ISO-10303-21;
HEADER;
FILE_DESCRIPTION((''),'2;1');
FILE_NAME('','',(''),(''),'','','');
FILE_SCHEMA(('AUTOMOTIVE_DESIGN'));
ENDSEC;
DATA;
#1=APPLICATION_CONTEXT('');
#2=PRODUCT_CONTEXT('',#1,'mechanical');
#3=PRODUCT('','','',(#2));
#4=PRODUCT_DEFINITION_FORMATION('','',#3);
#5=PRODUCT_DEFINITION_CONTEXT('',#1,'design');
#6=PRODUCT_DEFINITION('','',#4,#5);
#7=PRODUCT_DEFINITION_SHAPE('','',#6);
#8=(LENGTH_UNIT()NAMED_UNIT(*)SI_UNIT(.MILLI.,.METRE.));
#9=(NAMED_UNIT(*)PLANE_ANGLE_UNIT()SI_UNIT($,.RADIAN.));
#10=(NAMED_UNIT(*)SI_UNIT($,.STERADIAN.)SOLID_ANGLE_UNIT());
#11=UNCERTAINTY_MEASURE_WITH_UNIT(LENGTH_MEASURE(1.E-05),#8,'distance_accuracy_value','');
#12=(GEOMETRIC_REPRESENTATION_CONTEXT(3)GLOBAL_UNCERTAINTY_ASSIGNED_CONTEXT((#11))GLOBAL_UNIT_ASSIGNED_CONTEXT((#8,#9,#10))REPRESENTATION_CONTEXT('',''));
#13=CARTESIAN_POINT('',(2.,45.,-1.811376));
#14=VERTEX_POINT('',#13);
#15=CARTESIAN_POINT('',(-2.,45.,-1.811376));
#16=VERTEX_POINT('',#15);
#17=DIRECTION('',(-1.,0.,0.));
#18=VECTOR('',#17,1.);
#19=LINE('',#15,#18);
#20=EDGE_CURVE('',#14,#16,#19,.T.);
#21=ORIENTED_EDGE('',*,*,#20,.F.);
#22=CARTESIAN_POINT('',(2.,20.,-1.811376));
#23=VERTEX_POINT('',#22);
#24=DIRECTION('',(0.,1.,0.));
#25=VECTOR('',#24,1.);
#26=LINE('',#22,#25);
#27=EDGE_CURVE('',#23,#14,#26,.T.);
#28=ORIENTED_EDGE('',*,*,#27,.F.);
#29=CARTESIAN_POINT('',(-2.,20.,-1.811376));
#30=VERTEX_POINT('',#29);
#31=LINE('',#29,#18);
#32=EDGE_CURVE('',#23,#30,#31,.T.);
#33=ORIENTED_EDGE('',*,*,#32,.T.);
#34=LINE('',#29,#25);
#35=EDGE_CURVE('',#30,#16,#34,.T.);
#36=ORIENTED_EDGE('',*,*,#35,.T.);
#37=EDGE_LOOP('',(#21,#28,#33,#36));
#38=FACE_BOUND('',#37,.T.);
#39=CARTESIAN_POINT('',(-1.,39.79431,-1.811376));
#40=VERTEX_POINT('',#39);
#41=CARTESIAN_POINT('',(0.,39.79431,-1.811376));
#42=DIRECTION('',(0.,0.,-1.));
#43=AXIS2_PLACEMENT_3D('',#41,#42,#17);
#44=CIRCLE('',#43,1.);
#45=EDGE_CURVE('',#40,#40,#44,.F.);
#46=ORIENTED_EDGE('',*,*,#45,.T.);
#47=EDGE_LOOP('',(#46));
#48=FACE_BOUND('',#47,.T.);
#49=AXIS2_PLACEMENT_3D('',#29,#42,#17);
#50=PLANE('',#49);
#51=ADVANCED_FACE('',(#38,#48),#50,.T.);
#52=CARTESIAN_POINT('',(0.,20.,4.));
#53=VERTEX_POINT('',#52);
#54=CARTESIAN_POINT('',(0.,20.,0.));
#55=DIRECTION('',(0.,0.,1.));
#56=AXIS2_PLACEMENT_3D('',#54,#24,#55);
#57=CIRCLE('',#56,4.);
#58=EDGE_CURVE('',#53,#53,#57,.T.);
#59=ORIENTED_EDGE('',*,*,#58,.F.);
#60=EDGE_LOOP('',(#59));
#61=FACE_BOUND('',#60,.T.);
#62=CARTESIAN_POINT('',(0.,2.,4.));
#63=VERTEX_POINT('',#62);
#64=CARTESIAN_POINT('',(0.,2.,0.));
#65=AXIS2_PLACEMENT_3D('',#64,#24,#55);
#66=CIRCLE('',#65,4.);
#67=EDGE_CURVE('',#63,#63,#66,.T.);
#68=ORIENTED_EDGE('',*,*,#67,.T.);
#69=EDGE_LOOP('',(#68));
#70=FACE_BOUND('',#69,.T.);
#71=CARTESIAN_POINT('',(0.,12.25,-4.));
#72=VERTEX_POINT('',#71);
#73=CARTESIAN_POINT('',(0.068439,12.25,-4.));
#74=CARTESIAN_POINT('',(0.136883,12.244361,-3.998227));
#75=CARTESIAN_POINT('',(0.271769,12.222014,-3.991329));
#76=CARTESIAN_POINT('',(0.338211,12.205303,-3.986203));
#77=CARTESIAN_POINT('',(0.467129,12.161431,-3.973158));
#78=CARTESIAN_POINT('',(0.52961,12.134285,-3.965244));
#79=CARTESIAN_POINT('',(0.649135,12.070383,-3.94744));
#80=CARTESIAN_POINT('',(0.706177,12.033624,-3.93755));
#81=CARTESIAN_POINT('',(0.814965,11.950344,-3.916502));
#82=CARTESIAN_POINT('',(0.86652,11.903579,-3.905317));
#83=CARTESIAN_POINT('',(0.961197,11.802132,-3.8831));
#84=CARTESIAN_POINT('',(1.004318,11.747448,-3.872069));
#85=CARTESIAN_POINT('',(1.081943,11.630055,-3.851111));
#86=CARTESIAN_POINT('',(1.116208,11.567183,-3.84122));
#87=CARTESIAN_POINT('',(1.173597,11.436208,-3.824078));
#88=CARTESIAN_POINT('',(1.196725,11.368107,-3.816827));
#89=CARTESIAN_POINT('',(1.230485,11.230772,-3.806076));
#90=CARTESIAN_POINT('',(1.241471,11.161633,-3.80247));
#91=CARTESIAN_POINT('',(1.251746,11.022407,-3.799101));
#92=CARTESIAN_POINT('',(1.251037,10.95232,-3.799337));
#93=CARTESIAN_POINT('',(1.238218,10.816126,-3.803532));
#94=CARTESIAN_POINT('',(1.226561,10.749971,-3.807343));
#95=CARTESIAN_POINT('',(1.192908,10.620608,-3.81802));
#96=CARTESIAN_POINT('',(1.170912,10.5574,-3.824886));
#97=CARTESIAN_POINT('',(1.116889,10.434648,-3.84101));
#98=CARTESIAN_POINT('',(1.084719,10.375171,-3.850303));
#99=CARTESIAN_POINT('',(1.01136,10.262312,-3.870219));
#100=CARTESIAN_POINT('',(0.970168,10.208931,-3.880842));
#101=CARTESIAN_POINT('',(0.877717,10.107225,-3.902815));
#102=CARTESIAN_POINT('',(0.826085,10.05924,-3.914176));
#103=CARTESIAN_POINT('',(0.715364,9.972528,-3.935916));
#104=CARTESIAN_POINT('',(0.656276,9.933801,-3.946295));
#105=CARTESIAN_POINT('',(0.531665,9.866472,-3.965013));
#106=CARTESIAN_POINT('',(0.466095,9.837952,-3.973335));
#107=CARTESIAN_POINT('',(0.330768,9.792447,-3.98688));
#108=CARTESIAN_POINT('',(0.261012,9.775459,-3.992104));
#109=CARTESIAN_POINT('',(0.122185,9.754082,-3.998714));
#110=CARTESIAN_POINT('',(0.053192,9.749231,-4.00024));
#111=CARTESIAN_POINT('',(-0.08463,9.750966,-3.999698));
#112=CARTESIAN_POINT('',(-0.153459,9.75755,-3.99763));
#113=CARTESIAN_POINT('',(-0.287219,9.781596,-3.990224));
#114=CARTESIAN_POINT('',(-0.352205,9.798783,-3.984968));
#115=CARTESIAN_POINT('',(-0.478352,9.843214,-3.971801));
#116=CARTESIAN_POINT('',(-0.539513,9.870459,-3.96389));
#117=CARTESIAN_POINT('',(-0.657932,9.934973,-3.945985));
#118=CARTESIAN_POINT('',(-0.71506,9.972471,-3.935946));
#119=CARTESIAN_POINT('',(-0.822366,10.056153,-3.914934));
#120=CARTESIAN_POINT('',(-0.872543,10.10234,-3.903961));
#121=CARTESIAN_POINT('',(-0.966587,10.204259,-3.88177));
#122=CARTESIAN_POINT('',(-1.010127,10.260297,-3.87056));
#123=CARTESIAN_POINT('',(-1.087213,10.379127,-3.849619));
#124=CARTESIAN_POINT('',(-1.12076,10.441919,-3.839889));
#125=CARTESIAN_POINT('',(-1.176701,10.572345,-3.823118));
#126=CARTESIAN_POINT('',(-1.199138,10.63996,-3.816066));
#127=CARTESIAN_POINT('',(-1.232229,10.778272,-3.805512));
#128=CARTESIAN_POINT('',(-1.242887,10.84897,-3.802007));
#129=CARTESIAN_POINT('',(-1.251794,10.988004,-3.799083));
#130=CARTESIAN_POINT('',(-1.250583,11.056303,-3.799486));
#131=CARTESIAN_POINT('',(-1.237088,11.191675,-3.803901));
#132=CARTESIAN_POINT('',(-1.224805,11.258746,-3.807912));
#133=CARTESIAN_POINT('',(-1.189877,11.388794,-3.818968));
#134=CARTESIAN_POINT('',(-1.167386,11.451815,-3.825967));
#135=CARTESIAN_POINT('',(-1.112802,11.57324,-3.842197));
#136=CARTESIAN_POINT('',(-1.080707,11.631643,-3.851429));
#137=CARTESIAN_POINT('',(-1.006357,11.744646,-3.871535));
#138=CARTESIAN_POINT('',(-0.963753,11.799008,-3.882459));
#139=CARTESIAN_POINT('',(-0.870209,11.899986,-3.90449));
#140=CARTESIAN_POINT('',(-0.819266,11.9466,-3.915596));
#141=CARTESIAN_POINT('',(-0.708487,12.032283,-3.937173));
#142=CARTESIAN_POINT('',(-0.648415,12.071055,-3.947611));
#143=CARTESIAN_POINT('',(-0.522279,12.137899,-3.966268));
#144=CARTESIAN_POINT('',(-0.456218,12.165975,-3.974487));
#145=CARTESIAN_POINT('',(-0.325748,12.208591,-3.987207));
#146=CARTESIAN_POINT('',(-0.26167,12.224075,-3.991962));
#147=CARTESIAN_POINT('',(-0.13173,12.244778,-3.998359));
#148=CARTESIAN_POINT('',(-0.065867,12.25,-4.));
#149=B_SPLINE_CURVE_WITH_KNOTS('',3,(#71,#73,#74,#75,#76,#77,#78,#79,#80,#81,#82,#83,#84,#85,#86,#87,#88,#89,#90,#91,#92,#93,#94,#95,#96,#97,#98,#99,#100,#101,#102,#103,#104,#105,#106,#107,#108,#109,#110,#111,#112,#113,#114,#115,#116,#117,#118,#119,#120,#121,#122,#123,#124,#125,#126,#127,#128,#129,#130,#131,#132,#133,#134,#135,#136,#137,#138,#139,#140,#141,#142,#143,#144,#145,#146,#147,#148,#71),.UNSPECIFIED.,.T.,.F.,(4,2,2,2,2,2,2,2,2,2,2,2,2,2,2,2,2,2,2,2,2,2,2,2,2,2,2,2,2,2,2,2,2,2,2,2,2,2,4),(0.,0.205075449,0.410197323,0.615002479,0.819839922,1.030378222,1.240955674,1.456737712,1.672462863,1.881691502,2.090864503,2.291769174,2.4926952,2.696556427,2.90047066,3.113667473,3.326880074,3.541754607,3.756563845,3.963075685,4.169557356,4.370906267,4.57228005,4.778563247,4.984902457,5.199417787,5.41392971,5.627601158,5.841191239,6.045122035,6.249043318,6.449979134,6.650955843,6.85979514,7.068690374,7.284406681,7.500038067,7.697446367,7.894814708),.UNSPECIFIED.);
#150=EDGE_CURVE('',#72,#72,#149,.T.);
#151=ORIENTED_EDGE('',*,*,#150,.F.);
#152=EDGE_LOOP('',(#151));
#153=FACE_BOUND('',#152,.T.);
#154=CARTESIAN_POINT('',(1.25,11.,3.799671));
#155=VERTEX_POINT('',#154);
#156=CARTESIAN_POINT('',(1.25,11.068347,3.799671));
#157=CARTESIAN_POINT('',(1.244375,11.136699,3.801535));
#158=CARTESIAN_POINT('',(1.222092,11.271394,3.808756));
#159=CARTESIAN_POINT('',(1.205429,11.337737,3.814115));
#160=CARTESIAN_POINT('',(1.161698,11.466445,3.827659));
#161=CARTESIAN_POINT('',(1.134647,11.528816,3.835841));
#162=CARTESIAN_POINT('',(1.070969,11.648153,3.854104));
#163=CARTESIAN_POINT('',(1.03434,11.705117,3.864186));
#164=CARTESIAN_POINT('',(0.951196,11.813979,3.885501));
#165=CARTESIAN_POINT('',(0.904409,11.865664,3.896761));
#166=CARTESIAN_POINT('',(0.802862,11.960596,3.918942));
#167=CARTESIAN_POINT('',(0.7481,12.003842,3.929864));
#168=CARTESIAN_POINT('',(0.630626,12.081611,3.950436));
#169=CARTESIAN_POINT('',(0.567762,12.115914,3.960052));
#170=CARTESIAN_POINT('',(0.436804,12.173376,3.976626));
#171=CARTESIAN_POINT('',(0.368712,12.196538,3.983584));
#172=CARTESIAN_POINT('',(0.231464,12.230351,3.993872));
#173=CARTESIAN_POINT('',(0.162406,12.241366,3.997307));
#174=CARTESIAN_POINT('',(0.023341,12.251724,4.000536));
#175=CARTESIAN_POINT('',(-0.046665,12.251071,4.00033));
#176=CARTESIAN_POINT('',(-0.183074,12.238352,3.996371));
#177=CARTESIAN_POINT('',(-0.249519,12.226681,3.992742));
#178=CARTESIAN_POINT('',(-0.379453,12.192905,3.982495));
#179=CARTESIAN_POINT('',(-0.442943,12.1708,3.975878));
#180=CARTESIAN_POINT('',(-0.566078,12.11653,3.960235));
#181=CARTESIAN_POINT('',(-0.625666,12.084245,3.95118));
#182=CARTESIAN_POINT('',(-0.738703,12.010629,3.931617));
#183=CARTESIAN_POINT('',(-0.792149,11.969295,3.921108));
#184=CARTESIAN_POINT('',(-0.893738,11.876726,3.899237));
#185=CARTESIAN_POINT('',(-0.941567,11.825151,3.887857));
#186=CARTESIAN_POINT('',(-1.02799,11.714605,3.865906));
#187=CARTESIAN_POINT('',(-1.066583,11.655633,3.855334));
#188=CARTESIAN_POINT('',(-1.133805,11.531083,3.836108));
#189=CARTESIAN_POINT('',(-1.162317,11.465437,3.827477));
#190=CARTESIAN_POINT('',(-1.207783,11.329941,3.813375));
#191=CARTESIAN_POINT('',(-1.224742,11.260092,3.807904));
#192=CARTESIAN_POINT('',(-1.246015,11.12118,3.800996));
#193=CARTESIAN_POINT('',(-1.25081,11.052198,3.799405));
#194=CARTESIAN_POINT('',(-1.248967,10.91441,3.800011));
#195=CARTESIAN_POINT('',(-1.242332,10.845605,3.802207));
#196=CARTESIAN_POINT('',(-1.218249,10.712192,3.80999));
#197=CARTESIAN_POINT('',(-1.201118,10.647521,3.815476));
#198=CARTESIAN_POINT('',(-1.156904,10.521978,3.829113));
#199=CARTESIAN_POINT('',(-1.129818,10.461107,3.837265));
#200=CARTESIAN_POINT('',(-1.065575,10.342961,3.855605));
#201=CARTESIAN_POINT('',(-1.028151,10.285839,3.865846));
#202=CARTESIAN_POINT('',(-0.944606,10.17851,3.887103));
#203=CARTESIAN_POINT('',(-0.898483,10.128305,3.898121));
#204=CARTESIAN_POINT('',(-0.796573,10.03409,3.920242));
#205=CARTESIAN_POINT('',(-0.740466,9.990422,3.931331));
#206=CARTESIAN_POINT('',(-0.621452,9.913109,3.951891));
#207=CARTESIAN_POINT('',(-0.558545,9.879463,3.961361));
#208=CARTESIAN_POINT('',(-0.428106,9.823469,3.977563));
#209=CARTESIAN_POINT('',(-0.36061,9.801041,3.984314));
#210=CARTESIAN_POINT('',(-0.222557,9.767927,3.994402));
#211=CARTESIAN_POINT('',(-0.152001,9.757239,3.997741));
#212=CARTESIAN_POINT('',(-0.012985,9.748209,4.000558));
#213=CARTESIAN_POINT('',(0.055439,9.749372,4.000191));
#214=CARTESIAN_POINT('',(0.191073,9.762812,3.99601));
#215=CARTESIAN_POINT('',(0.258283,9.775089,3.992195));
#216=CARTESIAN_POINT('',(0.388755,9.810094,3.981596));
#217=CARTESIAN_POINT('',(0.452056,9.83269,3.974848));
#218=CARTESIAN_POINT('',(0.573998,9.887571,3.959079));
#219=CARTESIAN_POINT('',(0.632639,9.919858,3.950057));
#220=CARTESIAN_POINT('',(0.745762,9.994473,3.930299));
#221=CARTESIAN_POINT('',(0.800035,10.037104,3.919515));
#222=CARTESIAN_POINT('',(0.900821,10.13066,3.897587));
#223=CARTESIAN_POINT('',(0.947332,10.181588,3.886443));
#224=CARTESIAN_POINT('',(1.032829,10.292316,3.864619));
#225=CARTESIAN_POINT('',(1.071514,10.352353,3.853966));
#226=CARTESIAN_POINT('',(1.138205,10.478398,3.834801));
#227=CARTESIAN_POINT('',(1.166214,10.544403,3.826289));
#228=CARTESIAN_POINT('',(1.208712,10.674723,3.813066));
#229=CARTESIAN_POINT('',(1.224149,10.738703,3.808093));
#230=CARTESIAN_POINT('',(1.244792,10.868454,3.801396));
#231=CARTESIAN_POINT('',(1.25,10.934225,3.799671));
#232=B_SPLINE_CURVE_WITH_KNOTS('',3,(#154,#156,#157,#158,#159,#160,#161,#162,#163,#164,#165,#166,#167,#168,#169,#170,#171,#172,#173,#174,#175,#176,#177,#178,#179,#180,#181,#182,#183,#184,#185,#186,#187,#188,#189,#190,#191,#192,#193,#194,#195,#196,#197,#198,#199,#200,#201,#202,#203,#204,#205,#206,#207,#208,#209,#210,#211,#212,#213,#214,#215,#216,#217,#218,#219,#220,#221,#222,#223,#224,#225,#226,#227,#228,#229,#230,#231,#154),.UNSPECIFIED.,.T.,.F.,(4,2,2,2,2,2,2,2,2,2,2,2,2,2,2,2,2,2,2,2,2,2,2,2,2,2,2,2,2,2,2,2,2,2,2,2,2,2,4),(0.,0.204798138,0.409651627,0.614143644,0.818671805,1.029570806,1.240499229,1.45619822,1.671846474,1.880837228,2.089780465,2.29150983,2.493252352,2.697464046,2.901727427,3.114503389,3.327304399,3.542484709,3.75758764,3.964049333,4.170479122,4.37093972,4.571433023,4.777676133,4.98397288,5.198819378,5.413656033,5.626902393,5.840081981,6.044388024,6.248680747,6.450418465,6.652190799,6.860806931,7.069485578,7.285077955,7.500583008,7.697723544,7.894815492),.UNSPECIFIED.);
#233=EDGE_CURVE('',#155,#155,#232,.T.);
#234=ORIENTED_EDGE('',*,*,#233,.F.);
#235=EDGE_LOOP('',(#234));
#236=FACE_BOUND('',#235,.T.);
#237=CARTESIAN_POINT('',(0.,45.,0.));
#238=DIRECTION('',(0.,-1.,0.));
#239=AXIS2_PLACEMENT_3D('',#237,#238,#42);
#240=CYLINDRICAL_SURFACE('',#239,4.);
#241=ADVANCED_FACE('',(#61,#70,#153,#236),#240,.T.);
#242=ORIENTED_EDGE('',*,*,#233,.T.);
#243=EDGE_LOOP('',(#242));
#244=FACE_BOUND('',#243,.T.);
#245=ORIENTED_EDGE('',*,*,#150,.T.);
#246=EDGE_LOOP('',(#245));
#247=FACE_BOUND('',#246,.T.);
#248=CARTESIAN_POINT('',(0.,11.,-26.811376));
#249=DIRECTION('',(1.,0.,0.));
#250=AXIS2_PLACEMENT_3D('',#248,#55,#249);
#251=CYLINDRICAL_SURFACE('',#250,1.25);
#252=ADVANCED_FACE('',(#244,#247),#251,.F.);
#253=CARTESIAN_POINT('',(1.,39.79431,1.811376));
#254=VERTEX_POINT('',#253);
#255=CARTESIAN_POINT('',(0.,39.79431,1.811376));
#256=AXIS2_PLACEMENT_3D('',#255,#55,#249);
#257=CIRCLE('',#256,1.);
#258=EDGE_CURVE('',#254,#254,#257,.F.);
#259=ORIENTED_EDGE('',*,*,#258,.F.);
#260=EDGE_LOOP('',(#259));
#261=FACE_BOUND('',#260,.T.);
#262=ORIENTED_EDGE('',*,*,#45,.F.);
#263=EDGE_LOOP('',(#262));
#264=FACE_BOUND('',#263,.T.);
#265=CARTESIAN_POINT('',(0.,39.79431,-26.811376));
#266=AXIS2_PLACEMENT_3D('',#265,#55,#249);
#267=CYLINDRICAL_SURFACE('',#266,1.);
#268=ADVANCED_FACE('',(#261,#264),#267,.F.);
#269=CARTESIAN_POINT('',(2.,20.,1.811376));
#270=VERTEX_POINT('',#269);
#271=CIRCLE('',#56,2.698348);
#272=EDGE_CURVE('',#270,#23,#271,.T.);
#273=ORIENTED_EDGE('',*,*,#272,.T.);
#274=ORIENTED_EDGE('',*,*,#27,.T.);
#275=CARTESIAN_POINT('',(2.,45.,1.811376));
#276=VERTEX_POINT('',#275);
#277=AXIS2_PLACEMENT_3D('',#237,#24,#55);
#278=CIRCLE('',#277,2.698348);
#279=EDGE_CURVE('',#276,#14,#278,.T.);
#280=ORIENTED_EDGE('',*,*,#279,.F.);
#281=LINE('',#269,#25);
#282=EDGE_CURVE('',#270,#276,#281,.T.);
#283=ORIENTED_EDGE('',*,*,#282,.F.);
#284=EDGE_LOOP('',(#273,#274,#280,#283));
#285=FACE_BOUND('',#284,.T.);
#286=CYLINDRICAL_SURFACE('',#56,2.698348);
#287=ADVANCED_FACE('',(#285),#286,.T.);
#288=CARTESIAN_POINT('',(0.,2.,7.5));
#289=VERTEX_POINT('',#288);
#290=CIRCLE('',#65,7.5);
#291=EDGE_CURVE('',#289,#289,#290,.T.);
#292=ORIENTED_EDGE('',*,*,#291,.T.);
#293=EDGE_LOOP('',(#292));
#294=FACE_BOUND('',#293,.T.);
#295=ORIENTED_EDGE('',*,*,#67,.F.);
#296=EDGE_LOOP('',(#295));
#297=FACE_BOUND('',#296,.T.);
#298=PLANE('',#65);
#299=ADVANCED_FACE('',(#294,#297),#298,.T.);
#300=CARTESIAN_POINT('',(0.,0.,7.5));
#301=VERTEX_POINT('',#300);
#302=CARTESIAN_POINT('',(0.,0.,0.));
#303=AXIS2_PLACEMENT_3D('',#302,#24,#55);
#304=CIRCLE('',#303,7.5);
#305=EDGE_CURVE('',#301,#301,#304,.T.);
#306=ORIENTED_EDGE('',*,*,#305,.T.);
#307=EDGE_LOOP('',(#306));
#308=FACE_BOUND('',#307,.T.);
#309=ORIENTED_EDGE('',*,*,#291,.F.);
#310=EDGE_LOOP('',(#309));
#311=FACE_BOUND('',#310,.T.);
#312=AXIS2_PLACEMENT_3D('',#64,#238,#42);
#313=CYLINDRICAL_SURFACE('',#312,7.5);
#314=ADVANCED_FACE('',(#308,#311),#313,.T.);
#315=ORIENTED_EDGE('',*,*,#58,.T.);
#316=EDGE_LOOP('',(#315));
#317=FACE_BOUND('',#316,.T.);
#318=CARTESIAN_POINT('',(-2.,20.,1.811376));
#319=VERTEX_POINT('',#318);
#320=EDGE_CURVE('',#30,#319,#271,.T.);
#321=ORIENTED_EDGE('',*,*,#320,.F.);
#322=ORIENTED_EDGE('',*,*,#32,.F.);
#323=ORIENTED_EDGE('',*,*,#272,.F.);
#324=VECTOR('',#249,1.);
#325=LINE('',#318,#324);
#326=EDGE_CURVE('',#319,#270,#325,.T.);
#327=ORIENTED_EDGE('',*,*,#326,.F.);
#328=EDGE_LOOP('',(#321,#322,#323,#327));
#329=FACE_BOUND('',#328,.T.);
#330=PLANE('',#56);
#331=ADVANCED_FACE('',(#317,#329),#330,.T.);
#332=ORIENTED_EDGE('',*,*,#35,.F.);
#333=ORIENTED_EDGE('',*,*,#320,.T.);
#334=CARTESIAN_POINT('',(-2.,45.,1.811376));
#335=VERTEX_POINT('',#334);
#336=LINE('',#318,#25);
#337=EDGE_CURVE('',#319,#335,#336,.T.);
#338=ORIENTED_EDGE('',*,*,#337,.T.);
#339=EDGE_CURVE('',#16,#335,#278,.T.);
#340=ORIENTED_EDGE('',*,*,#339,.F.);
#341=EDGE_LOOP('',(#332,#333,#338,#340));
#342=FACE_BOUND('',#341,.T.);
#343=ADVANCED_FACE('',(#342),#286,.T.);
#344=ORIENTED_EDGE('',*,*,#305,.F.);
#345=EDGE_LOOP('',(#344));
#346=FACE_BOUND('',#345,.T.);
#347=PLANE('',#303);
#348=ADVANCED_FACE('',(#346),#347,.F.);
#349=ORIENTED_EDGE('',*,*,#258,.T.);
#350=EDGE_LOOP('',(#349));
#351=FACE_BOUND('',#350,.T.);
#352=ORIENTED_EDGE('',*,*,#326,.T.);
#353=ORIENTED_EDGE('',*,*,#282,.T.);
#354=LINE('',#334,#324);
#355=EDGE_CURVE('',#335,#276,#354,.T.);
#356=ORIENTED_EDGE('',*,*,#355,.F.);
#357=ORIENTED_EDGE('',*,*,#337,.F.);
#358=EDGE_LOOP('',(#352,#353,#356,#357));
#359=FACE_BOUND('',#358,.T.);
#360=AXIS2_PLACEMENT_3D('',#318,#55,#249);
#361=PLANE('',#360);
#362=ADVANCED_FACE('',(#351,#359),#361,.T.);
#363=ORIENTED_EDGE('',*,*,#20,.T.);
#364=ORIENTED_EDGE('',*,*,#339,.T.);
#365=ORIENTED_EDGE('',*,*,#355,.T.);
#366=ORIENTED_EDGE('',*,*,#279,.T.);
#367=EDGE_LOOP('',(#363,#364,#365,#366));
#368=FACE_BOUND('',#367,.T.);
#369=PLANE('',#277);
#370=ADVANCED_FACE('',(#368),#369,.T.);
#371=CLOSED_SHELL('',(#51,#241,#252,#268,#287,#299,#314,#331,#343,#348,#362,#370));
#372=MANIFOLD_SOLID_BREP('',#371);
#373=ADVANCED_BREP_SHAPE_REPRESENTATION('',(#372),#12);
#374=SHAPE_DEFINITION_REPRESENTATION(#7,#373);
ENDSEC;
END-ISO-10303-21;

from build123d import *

# Parameters (mm, degrees)
SKETCH1_R               = 7.5
SKETCH1_R_2             = 4
BOSS_EXTRUDE1_DEPTH     = 2
SKETCH1_2_R             = 4
BOSS_EXTRUDE2_DEPTH     = 45
SKETCH2_R               = 4.5
CUT_EXTRUDE1_DEPTH      = 25
CUT_EXTRUDE2_DEPTH      = 25
CUT_EXTRUDE2_DEPTH_BACK = 25
SKETCH3_R               = 1
SKETCH3_R_2             = 1.25


with BuildPart() as part:
    # Sketch1 → Boss-Extrude1 (new body)
    with BuildSketch(Plane(origin=(0, 0, 0), x_dir=(1, 0, 0), z_dir=(0, 1, 0))):
        Circle(SKETCH1_R)
        Circle(SKETCH1_R_2, mode=Mode.SUBTRACT)
    extrude(amount=BOSS_EXTRUDE1_DEPTH)

    # Sketch1<2> → Boss-Extrude2 (add)
    with BuildSketch(Plane(origin=(0, 0, 0), x_dir=(1, 0, 0), z_dir=(0, 1, 0))):
        Circle(SKETCH1_2_R)
    extrude(amount=BOSS_EXTRUDE2_DEPTH)

    # Sketch2 → Cut-Extrude1 (cut)
    with BuildSketch(Plane(origin=(0, 45, 0), x_dir=(1, 0, 0), z_dir=(0, 1, 0))):
        Circle(SKETCH2_R)
        with BuildLine():
            Line((-2, 1.811376185), (2, 1.811376185))
            ThreePointArc((2, 1.811376185), (2.698348325, 0), (2, -1.811376185))
            Line((2, -1.811376185), (-2, -1.811376185))
            ThreePointArc((-2, -1.811376185), (-2.698348325, 0), (-2, 1.811376185))
        make_face(mode=Mode.SUBTRACT)
    extrude(amount=-CUT_EXTRUDE1_DEPTH, mode=Mode.SUBTRACT)

    # Sketch3 → Cut-Extrude2 (cut, two sides: drawn at the far end of the back side and taken through both)
    with BuildSketch(Plane(origin=(0, 0, -1.811376185), x_dir=(-1, 0, 0), z_dir=(0, 0, -1)).offset(-CUT_EXTRUDE2_DEPTH_BACK)):
        with Locations((0, 39.794309812)):
            Circle(SKETCH3_R)
        with Locations((0, 11)):
            Circle(SKETCH3_R_2)
    extrude(amount=CUT_EXTRUDE2_DEPTH + CUT_EXTRUDE2_DEPTH_BACK, mode=Mode.SUBTRACT)


solid = part.part
